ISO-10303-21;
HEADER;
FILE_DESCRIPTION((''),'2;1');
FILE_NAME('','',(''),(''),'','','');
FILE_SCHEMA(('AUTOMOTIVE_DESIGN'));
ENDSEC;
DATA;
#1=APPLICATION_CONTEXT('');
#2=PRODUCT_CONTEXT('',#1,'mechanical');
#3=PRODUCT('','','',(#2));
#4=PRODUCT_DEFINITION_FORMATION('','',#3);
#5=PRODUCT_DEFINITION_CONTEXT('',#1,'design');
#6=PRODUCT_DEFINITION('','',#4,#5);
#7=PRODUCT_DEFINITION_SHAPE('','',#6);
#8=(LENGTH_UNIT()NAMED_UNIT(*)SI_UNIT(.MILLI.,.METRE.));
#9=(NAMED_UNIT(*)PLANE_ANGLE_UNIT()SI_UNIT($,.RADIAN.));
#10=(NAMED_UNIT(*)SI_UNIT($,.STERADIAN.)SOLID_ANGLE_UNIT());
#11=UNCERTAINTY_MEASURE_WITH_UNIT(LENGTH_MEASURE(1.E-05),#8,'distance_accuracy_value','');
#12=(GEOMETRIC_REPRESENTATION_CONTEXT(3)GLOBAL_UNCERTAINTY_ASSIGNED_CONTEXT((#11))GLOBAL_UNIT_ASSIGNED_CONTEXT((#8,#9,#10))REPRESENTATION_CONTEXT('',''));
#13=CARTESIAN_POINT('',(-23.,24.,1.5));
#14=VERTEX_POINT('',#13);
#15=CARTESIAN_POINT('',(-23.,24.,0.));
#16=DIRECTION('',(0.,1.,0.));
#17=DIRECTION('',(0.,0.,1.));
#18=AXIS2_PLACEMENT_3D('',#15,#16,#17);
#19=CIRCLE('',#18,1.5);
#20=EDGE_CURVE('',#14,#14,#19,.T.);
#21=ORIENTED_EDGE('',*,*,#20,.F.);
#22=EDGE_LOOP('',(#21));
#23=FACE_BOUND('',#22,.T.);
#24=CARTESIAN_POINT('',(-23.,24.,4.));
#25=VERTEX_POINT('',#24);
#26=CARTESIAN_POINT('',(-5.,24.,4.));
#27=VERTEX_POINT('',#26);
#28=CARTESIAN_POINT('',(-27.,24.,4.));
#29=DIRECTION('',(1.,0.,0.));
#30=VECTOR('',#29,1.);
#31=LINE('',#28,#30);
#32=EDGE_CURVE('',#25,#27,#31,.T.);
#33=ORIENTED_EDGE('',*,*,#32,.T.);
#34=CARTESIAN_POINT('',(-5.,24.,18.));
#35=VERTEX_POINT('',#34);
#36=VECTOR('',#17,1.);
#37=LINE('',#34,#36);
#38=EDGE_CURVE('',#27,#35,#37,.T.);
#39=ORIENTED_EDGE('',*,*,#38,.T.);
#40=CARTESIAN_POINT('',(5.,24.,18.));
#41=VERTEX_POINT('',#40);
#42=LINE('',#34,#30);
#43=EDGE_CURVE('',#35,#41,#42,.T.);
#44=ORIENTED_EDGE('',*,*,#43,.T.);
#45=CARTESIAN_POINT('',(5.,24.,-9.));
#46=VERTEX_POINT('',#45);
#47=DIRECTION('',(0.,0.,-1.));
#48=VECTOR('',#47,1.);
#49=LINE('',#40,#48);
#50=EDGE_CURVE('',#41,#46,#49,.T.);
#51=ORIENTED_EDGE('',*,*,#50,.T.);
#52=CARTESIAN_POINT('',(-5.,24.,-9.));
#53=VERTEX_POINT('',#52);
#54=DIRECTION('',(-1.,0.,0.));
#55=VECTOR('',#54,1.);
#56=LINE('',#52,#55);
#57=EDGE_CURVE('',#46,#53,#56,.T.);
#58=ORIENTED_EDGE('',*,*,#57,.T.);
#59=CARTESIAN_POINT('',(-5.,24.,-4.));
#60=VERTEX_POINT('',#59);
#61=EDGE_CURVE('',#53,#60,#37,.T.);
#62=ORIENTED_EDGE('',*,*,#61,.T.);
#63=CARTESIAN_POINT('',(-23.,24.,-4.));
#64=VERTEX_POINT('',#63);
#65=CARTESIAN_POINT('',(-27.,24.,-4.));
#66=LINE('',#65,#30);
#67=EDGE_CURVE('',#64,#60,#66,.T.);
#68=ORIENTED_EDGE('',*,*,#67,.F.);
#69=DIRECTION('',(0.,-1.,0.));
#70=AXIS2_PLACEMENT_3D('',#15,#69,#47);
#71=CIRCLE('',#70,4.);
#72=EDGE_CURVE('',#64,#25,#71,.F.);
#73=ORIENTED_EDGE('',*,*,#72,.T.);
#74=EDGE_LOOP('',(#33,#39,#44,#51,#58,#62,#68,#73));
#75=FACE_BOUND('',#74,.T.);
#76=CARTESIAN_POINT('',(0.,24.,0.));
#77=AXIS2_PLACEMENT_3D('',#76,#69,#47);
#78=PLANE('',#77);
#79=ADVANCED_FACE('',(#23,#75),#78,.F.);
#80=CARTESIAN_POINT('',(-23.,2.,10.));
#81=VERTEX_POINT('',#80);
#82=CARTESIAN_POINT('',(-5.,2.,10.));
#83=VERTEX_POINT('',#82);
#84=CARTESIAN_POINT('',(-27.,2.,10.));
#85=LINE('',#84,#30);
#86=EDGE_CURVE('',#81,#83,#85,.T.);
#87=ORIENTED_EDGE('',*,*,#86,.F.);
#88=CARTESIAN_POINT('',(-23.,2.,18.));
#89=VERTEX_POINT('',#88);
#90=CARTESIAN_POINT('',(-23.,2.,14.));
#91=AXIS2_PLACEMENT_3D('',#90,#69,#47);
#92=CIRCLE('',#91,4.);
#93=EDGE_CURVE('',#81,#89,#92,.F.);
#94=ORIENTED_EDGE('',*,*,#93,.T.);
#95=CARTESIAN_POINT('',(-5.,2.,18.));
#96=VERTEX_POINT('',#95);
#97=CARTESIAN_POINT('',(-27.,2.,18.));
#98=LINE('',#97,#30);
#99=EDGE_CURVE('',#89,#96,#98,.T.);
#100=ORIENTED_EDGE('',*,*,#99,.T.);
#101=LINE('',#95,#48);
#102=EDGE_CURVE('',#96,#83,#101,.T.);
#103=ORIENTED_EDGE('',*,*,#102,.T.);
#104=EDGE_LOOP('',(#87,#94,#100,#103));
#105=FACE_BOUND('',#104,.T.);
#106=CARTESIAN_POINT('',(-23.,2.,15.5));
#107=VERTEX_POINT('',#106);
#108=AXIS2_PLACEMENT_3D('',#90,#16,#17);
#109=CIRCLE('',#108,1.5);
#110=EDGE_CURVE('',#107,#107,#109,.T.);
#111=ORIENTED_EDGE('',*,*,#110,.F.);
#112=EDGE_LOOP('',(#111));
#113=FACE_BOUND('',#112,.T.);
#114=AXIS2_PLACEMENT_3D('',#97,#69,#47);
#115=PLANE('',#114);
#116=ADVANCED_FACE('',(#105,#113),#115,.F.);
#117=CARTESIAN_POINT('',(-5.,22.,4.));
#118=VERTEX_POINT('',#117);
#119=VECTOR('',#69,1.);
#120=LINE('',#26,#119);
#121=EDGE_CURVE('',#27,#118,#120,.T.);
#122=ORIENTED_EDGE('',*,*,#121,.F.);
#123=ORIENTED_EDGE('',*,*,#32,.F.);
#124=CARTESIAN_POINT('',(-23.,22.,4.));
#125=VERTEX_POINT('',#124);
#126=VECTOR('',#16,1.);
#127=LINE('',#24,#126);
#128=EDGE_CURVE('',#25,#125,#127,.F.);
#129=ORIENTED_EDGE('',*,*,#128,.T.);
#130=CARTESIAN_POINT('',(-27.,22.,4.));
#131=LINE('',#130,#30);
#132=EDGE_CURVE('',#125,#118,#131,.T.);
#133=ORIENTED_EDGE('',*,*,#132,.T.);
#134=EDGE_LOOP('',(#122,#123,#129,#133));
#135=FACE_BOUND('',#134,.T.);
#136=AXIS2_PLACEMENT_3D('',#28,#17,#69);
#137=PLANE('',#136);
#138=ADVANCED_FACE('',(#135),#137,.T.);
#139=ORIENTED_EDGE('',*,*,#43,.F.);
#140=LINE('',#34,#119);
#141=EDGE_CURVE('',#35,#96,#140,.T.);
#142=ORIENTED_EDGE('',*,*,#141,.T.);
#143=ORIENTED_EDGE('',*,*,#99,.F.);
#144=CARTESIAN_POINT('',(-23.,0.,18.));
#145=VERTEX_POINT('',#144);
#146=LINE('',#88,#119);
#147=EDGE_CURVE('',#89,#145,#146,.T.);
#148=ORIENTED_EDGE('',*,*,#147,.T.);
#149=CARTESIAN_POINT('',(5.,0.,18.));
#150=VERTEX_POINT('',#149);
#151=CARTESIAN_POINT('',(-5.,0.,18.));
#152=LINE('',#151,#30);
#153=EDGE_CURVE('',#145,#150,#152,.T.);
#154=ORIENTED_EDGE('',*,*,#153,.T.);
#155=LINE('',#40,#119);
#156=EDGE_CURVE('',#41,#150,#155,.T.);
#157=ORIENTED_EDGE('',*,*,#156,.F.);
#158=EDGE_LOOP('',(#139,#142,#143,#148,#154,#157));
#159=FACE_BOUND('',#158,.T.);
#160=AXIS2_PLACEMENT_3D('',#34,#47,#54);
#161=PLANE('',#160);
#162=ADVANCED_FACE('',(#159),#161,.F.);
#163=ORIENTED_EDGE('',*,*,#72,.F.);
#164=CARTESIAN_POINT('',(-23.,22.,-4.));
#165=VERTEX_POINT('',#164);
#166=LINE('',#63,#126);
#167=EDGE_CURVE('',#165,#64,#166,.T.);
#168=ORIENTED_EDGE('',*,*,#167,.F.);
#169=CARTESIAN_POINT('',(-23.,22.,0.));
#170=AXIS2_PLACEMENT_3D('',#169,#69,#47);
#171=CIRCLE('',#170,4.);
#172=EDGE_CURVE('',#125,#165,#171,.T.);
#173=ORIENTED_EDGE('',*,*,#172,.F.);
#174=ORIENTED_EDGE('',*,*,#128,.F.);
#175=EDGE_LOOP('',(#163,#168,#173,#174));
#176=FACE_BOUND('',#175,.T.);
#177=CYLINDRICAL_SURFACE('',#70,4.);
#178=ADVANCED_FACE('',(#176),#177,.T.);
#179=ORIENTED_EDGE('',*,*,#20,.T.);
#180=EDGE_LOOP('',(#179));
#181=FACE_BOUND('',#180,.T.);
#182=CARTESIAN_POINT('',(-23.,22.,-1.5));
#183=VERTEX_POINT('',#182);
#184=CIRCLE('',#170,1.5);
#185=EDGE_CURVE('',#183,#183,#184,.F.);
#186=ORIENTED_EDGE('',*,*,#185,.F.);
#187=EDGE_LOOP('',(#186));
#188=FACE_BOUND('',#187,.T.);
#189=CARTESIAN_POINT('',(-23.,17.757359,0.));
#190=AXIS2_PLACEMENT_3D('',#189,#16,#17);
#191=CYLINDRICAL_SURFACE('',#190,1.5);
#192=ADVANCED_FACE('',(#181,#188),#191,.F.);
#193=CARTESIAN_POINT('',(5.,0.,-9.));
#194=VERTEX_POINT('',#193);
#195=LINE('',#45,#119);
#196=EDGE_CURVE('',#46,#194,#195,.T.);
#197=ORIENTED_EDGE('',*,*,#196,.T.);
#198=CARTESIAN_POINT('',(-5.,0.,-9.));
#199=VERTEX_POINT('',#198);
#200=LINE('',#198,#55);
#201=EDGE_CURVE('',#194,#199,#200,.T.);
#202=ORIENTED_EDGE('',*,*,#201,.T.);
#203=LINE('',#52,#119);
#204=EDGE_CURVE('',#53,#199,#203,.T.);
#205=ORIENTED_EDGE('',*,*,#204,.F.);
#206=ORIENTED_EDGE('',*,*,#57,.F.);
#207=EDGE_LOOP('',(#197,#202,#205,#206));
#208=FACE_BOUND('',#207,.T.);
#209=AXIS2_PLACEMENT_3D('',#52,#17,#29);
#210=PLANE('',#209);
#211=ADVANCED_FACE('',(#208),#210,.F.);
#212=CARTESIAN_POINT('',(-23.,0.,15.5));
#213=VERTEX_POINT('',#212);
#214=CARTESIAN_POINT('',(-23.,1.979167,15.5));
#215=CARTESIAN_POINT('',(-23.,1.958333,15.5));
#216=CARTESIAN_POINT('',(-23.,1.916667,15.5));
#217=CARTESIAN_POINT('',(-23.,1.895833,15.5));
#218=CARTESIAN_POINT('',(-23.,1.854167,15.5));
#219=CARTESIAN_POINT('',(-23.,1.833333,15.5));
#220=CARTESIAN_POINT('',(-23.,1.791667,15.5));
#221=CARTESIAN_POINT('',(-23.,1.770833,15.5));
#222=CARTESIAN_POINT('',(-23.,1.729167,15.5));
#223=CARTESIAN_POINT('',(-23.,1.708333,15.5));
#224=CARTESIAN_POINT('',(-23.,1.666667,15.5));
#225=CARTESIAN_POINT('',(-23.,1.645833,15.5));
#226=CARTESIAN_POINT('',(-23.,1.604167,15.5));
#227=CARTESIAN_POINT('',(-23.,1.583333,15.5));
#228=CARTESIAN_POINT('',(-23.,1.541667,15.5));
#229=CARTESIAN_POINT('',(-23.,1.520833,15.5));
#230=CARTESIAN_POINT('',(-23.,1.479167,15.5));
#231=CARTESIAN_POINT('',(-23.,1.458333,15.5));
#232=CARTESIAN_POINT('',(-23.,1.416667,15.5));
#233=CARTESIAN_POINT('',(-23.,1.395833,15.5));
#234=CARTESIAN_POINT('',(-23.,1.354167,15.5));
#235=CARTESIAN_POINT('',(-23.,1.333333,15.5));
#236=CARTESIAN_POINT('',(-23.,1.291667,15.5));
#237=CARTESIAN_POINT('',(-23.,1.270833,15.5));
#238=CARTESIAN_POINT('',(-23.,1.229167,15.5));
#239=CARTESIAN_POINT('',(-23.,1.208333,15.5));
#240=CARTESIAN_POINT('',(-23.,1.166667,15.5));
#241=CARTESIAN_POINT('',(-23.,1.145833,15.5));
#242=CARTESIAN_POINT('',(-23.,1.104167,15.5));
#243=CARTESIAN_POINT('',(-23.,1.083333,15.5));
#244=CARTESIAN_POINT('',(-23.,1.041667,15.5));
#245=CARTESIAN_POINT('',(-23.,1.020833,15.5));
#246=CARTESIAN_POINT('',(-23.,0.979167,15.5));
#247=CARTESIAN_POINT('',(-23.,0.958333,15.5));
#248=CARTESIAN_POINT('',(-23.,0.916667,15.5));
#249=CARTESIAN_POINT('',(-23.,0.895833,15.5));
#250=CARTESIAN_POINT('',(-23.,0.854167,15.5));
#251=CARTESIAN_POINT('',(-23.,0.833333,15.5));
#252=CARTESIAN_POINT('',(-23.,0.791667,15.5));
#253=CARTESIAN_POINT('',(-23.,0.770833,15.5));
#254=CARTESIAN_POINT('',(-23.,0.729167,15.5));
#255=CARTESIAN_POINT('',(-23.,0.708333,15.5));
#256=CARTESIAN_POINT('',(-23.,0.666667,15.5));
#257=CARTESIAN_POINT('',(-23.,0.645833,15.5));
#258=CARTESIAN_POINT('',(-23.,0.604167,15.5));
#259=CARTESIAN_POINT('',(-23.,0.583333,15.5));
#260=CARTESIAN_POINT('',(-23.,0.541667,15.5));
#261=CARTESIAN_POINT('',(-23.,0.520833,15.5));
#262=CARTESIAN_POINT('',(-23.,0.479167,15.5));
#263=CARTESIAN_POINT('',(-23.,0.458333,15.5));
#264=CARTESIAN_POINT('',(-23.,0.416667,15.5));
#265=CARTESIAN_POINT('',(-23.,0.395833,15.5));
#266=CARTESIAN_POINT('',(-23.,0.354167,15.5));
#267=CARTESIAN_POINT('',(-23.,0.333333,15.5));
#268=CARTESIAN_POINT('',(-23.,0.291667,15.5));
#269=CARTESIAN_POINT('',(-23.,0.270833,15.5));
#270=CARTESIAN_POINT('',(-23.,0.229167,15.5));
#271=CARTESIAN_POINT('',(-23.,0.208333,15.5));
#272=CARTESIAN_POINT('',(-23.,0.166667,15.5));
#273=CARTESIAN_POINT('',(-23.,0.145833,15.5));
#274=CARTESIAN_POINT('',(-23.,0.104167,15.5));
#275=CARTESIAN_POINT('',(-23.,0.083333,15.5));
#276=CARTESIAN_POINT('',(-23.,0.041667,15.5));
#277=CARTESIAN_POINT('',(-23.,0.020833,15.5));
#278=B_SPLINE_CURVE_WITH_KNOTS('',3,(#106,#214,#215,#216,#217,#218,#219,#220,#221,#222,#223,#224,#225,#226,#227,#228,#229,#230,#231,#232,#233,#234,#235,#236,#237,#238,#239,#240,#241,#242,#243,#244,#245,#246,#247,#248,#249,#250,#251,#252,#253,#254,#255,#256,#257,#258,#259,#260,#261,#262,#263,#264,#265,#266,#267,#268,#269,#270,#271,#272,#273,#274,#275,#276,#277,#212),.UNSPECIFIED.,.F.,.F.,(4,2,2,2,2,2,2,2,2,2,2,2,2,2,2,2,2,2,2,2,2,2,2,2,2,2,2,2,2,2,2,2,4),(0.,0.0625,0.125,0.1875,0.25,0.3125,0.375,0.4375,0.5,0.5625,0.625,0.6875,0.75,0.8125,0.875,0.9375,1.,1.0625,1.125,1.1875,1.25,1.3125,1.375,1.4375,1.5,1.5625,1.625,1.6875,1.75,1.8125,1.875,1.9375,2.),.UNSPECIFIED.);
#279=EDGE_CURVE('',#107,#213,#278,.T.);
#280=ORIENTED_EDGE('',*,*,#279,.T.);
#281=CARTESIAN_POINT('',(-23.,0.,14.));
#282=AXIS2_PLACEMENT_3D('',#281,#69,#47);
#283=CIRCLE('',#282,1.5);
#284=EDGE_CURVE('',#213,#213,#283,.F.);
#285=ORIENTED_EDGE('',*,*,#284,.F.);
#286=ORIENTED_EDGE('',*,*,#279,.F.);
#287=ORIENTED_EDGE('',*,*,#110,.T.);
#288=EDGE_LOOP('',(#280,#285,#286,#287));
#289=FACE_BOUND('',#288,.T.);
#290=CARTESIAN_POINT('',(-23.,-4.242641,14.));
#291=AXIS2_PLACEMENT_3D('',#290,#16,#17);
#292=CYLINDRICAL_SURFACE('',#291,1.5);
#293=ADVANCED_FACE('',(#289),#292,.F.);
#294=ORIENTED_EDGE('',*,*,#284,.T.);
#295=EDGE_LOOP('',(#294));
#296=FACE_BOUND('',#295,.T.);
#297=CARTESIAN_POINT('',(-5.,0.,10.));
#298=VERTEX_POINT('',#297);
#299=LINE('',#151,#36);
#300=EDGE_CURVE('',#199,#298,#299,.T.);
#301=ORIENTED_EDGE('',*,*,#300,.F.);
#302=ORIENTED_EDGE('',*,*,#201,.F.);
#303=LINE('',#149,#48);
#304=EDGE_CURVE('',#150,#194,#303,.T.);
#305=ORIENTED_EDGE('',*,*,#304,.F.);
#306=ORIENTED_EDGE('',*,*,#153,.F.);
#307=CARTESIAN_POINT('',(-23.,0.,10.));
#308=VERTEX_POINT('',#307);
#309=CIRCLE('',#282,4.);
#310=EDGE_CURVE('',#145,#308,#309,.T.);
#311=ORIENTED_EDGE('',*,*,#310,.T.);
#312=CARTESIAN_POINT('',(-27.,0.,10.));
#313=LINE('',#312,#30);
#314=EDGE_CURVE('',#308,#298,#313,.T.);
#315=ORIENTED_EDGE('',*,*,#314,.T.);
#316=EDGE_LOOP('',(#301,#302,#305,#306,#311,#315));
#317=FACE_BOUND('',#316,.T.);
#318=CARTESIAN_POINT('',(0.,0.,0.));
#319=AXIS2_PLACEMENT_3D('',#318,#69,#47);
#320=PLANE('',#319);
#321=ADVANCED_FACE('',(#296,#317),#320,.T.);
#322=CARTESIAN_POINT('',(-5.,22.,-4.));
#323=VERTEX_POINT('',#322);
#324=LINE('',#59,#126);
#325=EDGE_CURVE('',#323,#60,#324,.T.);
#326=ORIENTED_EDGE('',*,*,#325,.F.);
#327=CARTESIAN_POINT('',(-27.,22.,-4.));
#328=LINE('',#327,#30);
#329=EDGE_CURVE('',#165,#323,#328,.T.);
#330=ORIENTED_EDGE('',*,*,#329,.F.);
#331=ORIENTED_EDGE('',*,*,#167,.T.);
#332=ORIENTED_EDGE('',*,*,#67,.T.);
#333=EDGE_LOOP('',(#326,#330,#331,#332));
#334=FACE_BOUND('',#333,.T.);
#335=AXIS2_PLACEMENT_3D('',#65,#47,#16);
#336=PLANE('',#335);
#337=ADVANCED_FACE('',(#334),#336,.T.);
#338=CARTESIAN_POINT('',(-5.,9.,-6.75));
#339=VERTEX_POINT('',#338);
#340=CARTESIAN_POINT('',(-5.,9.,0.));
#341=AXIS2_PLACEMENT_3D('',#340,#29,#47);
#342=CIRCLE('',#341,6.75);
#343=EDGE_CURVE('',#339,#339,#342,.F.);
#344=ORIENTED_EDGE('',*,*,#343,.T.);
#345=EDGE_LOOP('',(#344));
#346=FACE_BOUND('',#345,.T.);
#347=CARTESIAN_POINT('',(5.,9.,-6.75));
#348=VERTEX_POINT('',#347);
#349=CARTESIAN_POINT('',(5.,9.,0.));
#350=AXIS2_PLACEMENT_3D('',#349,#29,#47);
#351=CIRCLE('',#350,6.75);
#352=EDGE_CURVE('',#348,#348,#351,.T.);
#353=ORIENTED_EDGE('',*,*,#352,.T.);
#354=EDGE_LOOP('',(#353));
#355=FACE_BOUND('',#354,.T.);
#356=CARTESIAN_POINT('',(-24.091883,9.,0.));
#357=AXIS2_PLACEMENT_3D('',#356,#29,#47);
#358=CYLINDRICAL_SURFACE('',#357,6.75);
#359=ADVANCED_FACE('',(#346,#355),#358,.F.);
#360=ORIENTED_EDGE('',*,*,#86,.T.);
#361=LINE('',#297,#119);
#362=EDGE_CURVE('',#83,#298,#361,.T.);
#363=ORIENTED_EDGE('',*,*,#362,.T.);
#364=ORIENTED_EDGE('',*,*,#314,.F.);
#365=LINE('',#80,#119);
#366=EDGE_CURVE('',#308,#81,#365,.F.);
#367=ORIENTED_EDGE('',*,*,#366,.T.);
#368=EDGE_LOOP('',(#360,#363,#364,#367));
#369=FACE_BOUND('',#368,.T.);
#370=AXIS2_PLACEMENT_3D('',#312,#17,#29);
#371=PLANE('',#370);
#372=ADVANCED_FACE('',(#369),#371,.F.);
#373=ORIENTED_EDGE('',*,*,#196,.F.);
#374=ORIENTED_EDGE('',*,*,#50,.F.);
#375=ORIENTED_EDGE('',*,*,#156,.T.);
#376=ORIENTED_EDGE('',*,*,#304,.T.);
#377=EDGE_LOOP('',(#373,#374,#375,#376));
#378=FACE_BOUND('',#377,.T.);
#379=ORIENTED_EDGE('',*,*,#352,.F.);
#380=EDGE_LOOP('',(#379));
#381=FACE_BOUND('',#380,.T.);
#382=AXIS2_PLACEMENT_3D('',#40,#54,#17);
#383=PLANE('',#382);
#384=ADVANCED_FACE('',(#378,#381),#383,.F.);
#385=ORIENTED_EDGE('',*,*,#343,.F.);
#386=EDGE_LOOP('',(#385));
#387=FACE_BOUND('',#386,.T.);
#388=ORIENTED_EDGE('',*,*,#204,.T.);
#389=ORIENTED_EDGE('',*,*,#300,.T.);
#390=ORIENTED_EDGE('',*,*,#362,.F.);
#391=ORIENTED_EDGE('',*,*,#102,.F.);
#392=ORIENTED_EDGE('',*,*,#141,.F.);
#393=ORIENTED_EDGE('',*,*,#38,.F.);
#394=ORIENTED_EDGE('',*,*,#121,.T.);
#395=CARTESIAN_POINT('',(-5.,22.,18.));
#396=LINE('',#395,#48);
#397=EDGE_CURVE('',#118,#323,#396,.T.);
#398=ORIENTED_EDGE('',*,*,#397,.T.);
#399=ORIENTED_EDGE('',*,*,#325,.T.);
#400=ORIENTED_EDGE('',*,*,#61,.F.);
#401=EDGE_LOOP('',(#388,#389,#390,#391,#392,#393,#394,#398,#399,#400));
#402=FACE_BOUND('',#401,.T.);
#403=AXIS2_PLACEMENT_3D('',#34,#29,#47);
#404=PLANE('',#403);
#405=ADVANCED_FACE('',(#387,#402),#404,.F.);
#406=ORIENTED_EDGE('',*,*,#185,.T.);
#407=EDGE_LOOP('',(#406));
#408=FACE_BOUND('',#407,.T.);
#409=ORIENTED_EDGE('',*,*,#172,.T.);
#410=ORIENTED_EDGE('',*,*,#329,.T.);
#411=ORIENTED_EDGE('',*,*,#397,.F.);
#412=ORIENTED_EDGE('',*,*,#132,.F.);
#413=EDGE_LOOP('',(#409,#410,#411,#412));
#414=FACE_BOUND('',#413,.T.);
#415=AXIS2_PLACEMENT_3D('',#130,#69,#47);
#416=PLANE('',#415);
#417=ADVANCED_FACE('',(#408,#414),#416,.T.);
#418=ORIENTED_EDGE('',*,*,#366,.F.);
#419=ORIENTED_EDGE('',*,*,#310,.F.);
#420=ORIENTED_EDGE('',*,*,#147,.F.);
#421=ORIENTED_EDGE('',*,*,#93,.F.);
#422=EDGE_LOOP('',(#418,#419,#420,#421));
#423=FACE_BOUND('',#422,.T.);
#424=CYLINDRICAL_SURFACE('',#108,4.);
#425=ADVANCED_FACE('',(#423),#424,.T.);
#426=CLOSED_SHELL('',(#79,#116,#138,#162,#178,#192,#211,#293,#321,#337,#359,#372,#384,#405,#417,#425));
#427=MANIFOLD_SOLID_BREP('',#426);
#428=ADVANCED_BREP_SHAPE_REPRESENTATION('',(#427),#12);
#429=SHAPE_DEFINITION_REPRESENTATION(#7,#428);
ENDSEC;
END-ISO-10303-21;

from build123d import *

# Parameters (mm, degrees)
SKETCH2_W           = 10
SKETCH2_H           = 27
BOSS_EXTRUDE1_DEPTH = 24
SKETCH3_R           = 6.75
CUT_EXTRUDE1_DEPTH  = 10
SKETCH6_W           = 8
SKETCH6_H           = 2
BOSS_EXTRUDE2_DEPTH = 32
FILLET1_RADIUS      = 4
FILLET1_LENGTH      = 2
SKETCH8_R           = 1.5
CUT_EXTRUDE2_DEPTH  = 2
SKETCH10_W          = 8
SKETCH10_H          = 2
BOSS_EXTRUDE3_DEPTH = 22
FILLET2_RADIUS      = 4
FILLET2_LENGTH      = 2
SKETCH11_R          = 1.5
CUT_EXTRUDE4_DEPTH  = 2


with BuildPart() as part:
    # Sketch2 → Boss-Extrude1 (new body)
    with BuildSketch(Plane(origin=(0, 0, 0), x_dir=(1, 0, 0), z_dir=(0, 1, 0))):
        with Locations((0, -4.5)):
            Rectangle(SKETCH2_W, SKETCH2_H)
    extrude(amount=BOSS_EXTRUDE1_DEPTH)

    # Sketch3 → Cut-Extrude1 (cut)
    with BuildSketch(Plane(origin=(5, 0, 0), x_dir=(0, 0, -1), z_dir=(1, 0, 0))):
        with Locations((0, 9)):
            Circle(SKETCH3_R)
    extrude(amount=-CUT_EXTRUDE1_DEPTH, mode=Mode.SUBTRACT)

    # Sketch6 → Boss-Extrude2 (add)
    with BuildSketch(Plane(origin=(5, 0, 0), x_dir=(0, 0, -1), z_dir=(1, 0, 0))):
        with Locations((0, 23)):
            Rectangle(SKETCH6_W, SKETCH6_H)
    extrude(amount=-BOSS_EXTRUDE2_DEPTH)

    # Fillet1: full round fillet: the end face becomes a half cylinder, R = half its width
    fillet1_face = Plane((-27, 23, 0), x_dir=(0, 1, 0), z_dir=(-1, 0, 0))  # on the end face: x along it, z out of the body
    fillet1_slab = fillet1_face.offset(-FILLET1_RADIUS / 2) * Box(FILLET1_LENGTH, 2 * FILLET1_RADIUS, FILLET1_RADIUS, mode=Mode.PRIVATE)  # the body's end, R deep
    fillet1_round = Plane((-23, 23, 0), x_dir=(-1, 0, 0), z_dir=(0, 1, 0)) * Cylinder(FILLET1_RADIUS, FILLET1_LENGTH, mode=Mode.PRIVATE)  # its axis R under the face
    add(fillet1_slab - fillet1_round, mode=Mode.SUBTRACT)

    # Sketch8 → Cut-Extrude2 (cut)
    with BuildSketch(Plane(origin=(0, 24, 0), x_dir=(1, 0, 0), z_dir=(0, 1, 0))):
        with Locations(Location((-23, 0, 0), (0, 0, 270))):
            Circle(SKETCH8_R)
    extrude(amount=-CUT_EXTRUDE2_DEPTH, mode=Mode.SUBTRACT)

    # Sketch10 → Boss-Extrude3 (add)
    with BuildSketch(Plane.ZY.offset(5)):
        with Locations((14, 1)):
            Rectangle(SKETCH10_W, SKETCH10_H)
    extrude(amount=BOSS_EXTRUDE3_DEPTH)

    # Fillet2: full round fillet: the end face becomes a half cylinder, R = half its width
    fillet2_face = Plane((-27, 1, 14), x_dir=(0, 1, 0), z_dir=(-1, 0, 0))  # on the end face: x along it, z out of the body
    fillet2_slab = fillet2_face.offset(-FILLET2_RADIUS / 2) * Box(FILLET2_LENGTH, 2 * FILLET2_RADIUS, FILLET2_RADIUS, mode=Mode.PRIVATE)  # the body's end, R deep
    fillet2_round = Plane((-23, 1, 14), x_dir=(-1, 0, 0), z_dir=(0, 1, 0)) * Cylinder(FILLET2_RADIUS, FILLET2_LENGTH, mode=Mode.PRIVATE)  # its axis R under the face
    add(fillet2_slab - fillet2_round, mode=Mode.SUBTRACT)

    # Sketch11 → Cut-Extrude4 (cut)
    with BuildSketch(Plane(origin=(0, 2, 0), x_dir=(1, 0, 0), z_dir=(0, 1, 0))):
        with Locations(Location((-23, -14, 0), (0, 0, 270))):
            Circle(SKETCH11_R)
    extrude(amount=-CUT_EXTRUDE4_DEPTH, mode=Mode.SUBTRACT)


solid = part.part
